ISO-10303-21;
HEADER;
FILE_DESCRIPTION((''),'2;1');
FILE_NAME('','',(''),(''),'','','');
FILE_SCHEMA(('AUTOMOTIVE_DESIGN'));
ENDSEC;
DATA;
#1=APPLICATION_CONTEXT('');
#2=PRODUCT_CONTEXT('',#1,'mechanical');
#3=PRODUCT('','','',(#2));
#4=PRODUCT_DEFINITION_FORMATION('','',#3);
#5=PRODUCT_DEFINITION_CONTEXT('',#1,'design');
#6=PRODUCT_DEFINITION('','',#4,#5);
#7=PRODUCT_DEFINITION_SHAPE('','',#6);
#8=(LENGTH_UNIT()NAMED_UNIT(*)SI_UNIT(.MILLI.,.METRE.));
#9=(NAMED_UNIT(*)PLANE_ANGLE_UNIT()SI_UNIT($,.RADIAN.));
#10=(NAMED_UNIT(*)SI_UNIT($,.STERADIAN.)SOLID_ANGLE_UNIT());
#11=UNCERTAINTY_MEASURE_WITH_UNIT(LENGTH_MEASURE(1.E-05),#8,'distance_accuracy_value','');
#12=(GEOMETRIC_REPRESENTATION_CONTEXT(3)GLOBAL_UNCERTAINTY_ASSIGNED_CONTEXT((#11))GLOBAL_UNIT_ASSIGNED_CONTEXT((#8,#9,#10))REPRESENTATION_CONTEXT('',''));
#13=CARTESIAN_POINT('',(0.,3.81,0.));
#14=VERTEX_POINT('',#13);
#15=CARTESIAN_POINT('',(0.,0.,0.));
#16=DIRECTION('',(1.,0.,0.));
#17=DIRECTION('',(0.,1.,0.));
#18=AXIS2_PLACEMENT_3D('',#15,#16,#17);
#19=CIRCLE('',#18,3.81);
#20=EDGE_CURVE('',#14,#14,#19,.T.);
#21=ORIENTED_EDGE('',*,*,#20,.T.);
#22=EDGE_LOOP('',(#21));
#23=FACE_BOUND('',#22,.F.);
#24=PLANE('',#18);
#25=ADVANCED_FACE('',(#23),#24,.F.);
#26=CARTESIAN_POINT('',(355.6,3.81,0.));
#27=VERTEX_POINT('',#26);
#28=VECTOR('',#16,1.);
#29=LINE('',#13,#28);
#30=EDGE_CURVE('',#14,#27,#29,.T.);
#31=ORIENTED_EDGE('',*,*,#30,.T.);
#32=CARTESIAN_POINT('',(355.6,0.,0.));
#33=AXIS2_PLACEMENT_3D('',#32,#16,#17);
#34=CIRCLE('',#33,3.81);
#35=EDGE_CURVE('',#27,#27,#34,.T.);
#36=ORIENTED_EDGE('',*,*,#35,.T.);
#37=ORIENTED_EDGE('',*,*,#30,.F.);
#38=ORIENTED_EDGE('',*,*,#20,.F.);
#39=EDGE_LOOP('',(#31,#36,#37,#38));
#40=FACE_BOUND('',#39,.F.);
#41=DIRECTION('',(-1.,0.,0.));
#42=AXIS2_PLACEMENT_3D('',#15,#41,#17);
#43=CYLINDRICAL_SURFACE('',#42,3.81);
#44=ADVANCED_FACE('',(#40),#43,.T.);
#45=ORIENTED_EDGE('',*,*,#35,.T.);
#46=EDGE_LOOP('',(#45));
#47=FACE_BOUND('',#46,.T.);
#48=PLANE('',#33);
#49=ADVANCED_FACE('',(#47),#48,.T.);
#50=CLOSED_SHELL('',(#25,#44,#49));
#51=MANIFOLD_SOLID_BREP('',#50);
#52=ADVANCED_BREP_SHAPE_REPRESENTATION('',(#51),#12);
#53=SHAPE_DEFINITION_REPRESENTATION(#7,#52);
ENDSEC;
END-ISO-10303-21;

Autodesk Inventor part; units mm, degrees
ref_plane "YZ Plane" through (0, 0, 0) normal (1, 0, 0) x (0, 1, 0)
ref_plane "XZ Plane" through (0, 0, 0) normal (0, 1, 0) x (-1, 0, 0)
ref_plane "XY Plane" through (0, 0, 0) normal (0, 0, 1) x (1, 0, 0)
sketch "Sketch2" plane through (0, 0, 0) normal (1, 0, 0) x (0, 1, 0)
  circle A0 centre (0, 0) radius 3.81
  dimension "d3" = 7.62
extrude "Extrusion2" add sketch "Sketch2" along normal blind 355.6
properties part number "sup-stand-rebar" material "Steel, Mild"
